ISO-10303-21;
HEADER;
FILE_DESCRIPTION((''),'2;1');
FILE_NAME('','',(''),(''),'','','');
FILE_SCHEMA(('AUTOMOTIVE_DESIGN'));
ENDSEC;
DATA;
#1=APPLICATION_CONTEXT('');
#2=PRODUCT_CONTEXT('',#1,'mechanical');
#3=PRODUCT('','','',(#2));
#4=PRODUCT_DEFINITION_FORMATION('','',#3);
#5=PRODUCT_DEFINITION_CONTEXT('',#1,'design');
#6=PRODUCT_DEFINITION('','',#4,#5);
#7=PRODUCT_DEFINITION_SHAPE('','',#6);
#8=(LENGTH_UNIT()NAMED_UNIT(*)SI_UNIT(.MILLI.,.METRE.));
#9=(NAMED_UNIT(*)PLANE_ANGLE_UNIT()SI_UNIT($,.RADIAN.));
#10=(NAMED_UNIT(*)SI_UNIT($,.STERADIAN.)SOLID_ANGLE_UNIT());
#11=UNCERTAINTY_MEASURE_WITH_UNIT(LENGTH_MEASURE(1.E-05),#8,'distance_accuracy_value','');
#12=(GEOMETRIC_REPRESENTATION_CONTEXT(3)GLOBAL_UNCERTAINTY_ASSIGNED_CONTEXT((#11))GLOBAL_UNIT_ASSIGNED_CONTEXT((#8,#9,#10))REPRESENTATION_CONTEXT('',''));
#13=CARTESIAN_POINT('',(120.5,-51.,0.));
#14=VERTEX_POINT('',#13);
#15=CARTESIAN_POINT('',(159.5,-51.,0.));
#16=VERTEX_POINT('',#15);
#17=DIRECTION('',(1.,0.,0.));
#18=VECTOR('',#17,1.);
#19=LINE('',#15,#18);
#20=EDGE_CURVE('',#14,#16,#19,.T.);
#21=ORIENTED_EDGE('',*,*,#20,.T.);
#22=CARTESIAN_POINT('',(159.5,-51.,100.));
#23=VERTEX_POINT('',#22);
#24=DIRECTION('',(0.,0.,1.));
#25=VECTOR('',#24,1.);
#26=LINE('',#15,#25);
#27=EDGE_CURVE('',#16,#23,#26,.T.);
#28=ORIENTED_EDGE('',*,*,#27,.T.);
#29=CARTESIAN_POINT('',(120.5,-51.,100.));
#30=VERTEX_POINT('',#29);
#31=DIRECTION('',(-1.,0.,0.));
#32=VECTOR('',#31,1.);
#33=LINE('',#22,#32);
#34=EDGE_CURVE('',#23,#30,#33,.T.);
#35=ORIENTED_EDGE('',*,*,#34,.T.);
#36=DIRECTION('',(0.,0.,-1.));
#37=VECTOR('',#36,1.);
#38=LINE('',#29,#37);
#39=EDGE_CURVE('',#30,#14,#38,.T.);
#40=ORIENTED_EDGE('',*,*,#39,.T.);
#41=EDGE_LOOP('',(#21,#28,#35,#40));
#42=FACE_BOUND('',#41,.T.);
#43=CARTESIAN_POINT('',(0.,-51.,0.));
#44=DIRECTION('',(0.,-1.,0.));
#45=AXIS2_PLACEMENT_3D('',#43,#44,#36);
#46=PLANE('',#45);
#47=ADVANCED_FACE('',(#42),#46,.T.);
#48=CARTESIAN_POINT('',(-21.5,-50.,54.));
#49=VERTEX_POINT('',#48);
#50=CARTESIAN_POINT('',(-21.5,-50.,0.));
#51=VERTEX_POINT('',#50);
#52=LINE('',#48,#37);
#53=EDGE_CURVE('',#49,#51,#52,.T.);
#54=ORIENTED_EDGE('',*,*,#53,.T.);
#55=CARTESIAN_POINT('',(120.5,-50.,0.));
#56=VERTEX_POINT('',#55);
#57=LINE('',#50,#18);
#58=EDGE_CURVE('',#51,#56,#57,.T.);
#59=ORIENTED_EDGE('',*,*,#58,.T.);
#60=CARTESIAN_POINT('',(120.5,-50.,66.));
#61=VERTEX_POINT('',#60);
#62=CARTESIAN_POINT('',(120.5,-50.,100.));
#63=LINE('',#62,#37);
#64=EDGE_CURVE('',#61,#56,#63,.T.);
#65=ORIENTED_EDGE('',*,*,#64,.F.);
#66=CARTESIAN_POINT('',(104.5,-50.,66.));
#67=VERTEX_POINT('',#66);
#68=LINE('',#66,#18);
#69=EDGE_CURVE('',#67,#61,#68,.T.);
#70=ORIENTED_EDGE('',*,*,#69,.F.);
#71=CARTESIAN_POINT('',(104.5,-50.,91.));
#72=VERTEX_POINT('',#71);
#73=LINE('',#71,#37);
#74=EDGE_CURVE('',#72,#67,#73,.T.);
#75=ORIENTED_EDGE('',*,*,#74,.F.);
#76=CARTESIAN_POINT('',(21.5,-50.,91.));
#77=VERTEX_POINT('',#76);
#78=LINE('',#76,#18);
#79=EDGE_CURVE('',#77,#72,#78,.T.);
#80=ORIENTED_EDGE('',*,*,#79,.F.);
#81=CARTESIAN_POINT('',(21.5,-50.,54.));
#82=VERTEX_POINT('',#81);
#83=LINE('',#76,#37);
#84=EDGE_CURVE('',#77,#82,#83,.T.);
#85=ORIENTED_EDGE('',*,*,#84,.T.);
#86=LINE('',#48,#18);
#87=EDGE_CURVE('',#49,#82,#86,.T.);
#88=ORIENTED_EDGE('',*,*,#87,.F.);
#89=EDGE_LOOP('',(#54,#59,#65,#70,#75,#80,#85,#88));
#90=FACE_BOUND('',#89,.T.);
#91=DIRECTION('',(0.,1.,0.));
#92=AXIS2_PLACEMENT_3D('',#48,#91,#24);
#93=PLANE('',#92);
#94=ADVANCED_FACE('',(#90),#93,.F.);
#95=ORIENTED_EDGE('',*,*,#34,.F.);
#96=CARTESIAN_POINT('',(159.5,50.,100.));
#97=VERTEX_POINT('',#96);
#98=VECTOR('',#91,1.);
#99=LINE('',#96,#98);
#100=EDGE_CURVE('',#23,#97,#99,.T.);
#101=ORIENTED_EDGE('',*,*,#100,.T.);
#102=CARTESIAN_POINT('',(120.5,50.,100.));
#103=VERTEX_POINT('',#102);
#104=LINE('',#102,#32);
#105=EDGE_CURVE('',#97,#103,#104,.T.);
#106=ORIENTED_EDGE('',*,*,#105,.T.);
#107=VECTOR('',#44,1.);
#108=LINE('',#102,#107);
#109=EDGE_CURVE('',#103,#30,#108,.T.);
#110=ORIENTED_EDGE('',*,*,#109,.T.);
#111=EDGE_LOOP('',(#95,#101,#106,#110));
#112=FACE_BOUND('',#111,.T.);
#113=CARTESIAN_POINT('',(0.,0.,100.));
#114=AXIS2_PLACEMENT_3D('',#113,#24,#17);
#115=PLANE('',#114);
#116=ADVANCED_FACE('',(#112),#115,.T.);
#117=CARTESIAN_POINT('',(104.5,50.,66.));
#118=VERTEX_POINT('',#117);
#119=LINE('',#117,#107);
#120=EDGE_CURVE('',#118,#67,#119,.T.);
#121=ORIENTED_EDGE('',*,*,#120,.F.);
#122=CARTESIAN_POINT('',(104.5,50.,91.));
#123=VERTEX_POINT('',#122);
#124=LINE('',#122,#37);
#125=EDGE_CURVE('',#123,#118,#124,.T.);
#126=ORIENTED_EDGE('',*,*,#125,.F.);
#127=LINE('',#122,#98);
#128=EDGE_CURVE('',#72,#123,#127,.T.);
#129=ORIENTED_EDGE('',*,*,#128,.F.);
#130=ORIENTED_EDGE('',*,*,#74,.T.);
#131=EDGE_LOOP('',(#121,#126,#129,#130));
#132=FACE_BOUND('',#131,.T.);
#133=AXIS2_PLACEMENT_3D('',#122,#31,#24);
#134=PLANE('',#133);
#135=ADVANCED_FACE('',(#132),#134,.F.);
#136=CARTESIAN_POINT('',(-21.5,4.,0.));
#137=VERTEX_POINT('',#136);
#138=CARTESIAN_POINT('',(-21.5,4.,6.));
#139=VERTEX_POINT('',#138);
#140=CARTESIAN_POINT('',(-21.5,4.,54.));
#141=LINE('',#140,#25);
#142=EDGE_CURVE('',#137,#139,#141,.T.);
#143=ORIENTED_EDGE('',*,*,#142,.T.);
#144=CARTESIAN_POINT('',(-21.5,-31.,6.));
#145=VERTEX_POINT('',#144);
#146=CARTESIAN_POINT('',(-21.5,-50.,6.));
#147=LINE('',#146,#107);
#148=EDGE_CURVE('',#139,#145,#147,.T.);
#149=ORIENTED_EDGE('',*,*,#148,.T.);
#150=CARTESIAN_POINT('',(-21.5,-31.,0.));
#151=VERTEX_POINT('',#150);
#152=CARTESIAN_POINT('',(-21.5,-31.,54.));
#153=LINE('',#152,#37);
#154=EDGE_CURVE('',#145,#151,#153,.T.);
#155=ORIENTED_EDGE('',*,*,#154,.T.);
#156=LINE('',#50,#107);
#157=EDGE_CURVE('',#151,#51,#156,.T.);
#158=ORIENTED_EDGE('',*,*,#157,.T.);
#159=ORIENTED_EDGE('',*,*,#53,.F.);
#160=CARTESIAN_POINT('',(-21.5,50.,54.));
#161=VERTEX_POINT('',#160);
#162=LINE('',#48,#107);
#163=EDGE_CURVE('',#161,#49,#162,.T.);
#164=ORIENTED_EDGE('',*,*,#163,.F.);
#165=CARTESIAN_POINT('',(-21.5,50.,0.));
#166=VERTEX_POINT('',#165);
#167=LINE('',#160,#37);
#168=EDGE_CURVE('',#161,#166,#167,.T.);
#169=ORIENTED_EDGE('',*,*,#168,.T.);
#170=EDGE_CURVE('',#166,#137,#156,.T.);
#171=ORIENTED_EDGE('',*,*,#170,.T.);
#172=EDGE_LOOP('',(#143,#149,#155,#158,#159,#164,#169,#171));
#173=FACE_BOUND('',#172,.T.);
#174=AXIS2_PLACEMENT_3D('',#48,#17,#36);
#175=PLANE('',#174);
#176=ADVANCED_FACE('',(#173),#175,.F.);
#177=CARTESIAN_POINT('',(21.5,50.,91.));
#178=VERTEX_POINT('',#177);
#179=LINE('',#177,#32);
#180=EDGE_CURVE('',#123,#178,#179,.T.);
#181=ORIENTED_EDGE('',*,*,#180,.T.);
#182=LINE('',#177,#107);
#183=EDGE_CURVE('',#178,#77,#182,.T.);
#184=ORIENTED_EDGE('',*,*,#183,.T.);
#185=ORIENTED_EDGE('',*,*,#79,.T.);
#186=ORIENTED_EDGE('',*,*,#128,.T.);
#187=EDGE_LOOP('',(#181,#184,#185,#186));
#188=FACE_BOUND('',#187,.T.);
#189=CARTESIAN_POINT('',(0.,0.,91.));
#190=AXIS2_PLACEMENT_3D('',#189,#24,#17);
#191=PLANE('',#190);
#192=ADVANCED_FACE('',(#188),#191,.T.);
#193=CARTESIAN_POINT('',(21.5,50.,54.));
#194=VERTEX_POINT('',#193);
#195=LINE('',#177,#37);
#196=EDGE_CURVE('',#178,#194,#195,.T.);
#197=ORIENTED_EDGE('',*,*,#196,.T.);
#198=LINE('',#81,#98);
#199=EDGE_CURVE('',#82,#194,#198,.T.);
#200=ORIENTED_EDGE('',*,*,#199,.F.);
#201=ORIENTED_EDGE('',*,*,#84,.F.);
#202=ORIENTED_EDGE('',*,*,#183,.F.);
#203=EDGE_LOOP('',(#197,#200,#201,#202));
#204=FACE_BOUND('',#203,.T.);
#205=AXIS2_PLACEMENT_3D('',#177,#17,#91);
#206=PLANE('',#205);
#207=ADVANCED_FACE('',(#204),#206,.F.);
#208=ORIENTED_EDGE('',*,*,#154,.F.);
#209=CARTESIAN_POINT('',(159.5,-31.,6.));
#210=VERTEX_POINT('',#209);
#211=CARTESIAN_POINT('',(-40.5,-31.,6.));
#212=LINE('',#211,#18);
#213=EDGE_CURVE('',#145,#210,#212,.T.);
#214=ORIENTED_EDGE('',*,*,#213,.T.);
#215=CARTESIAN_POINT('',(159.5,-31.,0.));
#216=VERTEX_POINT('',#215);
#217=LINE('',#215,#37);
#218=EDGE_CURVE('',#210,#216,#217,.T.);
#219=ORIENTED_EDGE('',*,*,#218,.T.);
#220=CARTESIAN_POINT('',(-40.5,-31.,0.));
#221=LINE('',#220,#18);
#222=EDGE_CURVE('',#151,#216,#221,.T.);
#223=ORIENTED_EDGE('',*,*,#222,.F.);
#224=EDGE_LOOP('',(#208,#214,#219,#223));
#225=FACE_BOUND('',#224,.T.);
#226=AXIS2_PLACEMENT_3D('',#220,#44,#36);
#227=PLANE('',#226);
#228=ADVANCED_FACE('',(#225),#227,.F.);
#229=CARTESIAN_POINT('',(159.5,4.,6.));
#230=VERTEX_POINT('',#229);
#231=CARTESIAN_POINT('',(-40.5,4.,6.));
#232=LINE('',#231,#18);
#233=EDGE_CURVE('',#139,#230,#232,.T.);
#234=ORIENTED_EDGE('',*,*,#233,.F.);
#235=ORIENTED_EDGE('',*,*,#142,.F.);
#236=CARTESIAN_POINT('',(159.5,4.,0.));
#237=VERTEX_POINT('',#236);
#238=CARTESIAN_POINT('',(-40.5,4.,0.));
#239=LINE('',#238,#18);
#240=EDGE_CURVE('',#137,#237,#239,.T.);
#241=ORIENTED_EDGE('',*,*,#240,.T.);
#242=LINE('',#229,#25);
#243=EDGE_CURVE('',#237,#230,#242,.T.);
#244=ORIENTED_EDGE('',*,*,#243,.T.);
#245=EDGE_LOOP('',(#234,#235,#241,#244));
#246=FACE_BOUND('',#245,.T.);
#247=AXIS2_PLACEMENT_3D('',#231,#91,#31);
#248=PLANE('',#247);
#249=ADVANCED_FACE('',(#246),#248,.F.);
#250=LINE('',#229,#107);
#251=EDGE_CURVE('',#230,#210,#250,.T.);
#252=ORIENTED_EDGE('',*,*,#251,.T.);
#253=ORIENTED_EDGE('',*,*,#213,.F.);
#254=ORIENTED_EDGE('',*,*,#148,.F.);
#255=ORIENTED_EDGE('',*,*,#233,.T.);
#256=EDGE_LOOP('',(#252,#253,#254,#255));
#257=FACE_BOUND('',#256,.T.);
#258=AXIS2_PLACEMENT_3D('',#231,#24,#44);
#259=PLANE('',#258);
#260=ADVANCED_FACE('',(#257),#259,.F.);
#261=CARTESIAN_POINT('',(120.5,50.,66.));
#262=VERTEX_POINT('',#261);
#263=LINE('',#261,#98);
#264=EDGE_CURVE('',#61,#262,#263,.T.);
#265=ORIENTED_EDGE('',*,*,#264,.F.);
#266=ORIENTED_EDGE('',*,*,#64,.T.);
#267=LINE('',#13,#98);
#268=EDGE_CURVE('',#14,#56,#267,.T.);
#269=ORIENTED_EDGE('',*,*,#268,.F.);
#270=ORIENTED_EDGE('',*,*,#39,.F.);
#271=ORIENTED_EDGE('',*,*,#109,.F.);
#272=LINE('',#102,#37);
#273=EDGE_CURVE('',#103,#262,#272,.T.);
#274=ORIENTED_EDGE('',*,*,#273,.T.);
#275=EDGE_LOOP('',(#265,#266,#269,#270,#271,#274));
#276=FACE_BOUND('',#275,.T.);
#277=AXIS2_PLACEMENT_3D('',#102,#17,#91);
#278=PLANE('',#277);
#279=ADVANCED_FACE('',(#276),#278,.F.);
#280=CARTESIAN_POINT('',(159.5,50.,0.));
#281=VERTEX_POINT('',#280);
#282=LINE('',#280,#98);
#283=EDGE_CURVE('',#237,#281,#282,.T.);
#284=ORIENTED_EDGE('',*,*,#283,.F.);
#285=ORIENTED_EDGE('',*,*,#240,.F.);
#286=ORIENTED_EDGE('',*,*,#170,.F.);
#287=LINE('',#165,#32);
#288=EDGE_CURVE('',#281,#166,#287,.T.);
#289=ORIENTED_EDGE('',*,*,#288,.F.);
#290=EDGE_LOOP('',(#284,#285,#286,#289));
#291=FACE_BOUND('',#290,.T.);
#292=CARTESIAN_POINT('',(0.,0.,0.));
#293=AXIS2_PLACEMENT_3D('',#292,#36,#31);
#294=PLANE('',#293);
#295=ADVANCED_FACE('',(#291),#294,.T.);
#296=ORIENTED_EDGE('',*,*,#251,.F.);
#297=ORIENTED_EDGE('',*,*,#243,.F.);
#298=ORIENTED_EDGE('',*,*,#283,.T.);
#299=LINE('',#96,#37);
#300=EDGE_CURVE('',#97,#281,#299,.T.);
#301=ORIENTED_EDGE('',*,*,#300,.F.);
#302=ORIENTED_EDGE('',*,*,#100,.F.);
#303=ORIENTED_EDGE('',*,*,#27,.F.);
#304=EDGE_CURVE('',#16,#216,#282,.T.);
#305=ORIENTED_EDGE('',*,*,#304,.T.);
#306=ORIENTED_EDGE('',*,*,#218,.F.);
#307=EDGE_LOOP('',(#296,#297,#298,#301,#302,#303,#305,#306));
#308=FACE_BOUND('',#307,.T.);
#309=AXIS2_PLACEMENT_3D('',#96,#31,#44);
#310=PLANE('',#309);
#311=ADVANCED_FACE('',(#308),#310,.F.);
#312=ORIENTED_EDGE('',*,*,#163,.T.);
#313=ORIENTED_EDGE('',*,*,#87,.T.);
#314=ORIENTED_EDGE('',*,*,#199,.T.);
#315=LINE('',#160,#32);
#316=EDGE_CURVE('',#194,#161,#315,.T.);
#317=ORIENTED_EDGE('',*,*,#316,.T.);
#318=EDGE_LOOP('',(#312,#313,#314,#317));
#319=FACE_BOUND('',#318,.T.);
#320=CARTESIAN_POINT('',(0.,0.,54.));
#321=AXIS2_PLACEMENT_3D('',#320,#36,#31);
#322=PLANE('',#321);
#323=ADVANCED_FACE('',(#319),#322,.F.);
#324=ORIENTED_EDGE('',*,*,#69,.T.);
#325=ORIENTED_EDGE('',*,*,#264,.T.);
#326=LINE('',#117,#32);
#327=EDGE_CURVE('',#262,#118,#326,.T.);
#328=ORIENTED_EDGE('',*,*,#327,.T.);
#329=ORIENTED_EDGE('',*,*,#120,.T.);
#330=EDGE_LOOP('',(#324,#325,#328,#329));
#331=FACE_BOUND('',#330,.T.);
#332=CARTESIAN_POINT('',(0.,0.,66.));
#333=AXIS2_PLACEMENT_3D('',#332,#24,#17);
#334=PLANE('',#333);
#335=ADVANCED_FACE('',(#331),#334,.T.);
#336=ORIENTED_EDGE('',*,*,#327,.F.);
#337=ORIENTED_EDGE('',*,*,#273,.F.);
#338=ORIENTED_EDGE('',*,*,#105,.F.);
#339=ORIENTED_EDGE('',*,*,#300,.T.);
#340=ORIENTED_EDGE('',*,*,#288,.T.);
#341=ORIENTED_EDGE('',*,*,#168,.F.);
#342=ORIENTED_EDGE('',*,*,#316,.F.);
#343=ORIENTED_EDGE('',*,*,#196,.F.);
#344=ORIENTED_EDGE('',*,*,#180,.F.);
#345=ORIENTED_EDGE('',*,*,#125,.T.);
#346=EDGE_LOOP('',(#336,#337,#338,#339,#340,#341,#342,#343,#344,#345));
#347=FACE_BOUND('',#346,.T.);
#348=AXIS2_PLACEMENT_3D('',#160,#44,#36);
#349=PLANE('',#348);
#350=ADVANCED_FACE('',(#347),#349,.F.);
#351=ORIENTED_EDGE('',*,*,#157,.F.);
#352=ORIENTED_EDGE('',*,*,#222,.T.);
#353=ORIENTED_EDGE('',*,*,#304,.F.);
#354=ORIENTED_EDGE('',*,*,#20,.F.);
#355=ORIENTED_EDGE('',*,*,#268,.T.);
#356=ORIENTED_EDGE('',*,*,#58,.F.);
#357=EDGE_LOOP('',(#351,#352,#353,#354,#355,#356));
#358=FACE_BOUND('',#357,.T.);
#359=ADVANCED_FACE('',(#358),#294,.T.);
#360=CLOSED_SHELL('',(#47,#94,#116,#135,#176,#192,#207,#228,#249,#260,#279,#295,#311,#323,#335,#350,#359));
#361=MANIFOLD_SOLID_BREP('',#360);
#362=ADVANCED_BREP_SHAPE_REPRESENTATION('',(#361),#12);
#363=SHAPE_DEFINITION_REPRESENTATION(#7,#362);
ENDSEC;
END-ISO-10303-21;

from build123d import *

# Parameters (mm, degrees)
SKETCH2_W           = 43
SKETCH2_H           = 100
BOSS_EXTRUDE1_DEPTH = 54
SKETCH3_W           = 83
SKETCH3_H           = 100
BOSS_EXTRUDE2_DEPTH = 91
SKETCH4_W           = 16
SKETCH4_H           = 100
BOSS_EXTRUDE3_DEPTH = 66
SKETCH6_W           = 39
SKETCH6_H           = 100
BOSS_EXTRUDE4_DEPTH = 100
SKETCH5_W           = 6
SKETCH5_H           = 35
CUT_EXTRUDE1_DEPTH  = 200
SKETCH7_W           = 39
SKETCH7_H           = 100
BOSS_EXTRUDE5_DEPTH = 1


with BuildPart() as part:
    # Sketch2 → Boss-Extrude1 (new body)
    with BuildSketch(Plane.XY):
        Rectangle(SKETCH2_W, SKETCH2_H)
    extrude(amount=BOSS_EXTRUDE1_DEPTH)

    # Sketch3 → Boss-Extrude2 (add)
    with BuildSketch(Plane.XY):
        with Locations((63, 0)):
            Rectangle(SKETCH3_W, SKETCH3_H)
    extrude(amount=BOSS_EXTRUDE2_DEPTH)

    # Sketch4 → Boss-Extrude3 (add)
    with BuildSketch(Plane.XY):
        with Locations((112.5, 0)):
            Rectangle(SKETCH4_W, SKETCH4_H)
    extrude(amount=BOSS_EXTRUDE3_DEPTH)

    # Sketch6 → Boss-Extrude4 (add)
    with BuildSketch(Plane.XY):
        with Locations((140, 0)):
            Rectangle(SKETCH6_W, SKETCH6_H)
    extrude(amount=BOSS_EXTRUDE4_DEPTH)

    # Sketch5 → Cut-Extrude1 (cut)
    with BuildSketch(Plane(origin=(159.5, 0, 0), x_dir=(0, 0, -1), z_dir=(1, 0, 0))):
        with Locations((-3, -13.5)):
            Rectangle(SKETCH5_W, SKETCH5_H)
    extrude(amount=-CUT_EXTRUDE1_DEPTH, mode=Mode.SUBTRACT)

    # Sketch7 → Boss-Extrude5 (add)
    with BuildSketch(Plane.XZ.offset(50)):
        with Locations((140, 50)):
            Rectangle(SKETCH7_W, SKETCH7_H)
    extrude(amount=BOSS_EXTRUDE5_DEPTH)


solid = part.part
